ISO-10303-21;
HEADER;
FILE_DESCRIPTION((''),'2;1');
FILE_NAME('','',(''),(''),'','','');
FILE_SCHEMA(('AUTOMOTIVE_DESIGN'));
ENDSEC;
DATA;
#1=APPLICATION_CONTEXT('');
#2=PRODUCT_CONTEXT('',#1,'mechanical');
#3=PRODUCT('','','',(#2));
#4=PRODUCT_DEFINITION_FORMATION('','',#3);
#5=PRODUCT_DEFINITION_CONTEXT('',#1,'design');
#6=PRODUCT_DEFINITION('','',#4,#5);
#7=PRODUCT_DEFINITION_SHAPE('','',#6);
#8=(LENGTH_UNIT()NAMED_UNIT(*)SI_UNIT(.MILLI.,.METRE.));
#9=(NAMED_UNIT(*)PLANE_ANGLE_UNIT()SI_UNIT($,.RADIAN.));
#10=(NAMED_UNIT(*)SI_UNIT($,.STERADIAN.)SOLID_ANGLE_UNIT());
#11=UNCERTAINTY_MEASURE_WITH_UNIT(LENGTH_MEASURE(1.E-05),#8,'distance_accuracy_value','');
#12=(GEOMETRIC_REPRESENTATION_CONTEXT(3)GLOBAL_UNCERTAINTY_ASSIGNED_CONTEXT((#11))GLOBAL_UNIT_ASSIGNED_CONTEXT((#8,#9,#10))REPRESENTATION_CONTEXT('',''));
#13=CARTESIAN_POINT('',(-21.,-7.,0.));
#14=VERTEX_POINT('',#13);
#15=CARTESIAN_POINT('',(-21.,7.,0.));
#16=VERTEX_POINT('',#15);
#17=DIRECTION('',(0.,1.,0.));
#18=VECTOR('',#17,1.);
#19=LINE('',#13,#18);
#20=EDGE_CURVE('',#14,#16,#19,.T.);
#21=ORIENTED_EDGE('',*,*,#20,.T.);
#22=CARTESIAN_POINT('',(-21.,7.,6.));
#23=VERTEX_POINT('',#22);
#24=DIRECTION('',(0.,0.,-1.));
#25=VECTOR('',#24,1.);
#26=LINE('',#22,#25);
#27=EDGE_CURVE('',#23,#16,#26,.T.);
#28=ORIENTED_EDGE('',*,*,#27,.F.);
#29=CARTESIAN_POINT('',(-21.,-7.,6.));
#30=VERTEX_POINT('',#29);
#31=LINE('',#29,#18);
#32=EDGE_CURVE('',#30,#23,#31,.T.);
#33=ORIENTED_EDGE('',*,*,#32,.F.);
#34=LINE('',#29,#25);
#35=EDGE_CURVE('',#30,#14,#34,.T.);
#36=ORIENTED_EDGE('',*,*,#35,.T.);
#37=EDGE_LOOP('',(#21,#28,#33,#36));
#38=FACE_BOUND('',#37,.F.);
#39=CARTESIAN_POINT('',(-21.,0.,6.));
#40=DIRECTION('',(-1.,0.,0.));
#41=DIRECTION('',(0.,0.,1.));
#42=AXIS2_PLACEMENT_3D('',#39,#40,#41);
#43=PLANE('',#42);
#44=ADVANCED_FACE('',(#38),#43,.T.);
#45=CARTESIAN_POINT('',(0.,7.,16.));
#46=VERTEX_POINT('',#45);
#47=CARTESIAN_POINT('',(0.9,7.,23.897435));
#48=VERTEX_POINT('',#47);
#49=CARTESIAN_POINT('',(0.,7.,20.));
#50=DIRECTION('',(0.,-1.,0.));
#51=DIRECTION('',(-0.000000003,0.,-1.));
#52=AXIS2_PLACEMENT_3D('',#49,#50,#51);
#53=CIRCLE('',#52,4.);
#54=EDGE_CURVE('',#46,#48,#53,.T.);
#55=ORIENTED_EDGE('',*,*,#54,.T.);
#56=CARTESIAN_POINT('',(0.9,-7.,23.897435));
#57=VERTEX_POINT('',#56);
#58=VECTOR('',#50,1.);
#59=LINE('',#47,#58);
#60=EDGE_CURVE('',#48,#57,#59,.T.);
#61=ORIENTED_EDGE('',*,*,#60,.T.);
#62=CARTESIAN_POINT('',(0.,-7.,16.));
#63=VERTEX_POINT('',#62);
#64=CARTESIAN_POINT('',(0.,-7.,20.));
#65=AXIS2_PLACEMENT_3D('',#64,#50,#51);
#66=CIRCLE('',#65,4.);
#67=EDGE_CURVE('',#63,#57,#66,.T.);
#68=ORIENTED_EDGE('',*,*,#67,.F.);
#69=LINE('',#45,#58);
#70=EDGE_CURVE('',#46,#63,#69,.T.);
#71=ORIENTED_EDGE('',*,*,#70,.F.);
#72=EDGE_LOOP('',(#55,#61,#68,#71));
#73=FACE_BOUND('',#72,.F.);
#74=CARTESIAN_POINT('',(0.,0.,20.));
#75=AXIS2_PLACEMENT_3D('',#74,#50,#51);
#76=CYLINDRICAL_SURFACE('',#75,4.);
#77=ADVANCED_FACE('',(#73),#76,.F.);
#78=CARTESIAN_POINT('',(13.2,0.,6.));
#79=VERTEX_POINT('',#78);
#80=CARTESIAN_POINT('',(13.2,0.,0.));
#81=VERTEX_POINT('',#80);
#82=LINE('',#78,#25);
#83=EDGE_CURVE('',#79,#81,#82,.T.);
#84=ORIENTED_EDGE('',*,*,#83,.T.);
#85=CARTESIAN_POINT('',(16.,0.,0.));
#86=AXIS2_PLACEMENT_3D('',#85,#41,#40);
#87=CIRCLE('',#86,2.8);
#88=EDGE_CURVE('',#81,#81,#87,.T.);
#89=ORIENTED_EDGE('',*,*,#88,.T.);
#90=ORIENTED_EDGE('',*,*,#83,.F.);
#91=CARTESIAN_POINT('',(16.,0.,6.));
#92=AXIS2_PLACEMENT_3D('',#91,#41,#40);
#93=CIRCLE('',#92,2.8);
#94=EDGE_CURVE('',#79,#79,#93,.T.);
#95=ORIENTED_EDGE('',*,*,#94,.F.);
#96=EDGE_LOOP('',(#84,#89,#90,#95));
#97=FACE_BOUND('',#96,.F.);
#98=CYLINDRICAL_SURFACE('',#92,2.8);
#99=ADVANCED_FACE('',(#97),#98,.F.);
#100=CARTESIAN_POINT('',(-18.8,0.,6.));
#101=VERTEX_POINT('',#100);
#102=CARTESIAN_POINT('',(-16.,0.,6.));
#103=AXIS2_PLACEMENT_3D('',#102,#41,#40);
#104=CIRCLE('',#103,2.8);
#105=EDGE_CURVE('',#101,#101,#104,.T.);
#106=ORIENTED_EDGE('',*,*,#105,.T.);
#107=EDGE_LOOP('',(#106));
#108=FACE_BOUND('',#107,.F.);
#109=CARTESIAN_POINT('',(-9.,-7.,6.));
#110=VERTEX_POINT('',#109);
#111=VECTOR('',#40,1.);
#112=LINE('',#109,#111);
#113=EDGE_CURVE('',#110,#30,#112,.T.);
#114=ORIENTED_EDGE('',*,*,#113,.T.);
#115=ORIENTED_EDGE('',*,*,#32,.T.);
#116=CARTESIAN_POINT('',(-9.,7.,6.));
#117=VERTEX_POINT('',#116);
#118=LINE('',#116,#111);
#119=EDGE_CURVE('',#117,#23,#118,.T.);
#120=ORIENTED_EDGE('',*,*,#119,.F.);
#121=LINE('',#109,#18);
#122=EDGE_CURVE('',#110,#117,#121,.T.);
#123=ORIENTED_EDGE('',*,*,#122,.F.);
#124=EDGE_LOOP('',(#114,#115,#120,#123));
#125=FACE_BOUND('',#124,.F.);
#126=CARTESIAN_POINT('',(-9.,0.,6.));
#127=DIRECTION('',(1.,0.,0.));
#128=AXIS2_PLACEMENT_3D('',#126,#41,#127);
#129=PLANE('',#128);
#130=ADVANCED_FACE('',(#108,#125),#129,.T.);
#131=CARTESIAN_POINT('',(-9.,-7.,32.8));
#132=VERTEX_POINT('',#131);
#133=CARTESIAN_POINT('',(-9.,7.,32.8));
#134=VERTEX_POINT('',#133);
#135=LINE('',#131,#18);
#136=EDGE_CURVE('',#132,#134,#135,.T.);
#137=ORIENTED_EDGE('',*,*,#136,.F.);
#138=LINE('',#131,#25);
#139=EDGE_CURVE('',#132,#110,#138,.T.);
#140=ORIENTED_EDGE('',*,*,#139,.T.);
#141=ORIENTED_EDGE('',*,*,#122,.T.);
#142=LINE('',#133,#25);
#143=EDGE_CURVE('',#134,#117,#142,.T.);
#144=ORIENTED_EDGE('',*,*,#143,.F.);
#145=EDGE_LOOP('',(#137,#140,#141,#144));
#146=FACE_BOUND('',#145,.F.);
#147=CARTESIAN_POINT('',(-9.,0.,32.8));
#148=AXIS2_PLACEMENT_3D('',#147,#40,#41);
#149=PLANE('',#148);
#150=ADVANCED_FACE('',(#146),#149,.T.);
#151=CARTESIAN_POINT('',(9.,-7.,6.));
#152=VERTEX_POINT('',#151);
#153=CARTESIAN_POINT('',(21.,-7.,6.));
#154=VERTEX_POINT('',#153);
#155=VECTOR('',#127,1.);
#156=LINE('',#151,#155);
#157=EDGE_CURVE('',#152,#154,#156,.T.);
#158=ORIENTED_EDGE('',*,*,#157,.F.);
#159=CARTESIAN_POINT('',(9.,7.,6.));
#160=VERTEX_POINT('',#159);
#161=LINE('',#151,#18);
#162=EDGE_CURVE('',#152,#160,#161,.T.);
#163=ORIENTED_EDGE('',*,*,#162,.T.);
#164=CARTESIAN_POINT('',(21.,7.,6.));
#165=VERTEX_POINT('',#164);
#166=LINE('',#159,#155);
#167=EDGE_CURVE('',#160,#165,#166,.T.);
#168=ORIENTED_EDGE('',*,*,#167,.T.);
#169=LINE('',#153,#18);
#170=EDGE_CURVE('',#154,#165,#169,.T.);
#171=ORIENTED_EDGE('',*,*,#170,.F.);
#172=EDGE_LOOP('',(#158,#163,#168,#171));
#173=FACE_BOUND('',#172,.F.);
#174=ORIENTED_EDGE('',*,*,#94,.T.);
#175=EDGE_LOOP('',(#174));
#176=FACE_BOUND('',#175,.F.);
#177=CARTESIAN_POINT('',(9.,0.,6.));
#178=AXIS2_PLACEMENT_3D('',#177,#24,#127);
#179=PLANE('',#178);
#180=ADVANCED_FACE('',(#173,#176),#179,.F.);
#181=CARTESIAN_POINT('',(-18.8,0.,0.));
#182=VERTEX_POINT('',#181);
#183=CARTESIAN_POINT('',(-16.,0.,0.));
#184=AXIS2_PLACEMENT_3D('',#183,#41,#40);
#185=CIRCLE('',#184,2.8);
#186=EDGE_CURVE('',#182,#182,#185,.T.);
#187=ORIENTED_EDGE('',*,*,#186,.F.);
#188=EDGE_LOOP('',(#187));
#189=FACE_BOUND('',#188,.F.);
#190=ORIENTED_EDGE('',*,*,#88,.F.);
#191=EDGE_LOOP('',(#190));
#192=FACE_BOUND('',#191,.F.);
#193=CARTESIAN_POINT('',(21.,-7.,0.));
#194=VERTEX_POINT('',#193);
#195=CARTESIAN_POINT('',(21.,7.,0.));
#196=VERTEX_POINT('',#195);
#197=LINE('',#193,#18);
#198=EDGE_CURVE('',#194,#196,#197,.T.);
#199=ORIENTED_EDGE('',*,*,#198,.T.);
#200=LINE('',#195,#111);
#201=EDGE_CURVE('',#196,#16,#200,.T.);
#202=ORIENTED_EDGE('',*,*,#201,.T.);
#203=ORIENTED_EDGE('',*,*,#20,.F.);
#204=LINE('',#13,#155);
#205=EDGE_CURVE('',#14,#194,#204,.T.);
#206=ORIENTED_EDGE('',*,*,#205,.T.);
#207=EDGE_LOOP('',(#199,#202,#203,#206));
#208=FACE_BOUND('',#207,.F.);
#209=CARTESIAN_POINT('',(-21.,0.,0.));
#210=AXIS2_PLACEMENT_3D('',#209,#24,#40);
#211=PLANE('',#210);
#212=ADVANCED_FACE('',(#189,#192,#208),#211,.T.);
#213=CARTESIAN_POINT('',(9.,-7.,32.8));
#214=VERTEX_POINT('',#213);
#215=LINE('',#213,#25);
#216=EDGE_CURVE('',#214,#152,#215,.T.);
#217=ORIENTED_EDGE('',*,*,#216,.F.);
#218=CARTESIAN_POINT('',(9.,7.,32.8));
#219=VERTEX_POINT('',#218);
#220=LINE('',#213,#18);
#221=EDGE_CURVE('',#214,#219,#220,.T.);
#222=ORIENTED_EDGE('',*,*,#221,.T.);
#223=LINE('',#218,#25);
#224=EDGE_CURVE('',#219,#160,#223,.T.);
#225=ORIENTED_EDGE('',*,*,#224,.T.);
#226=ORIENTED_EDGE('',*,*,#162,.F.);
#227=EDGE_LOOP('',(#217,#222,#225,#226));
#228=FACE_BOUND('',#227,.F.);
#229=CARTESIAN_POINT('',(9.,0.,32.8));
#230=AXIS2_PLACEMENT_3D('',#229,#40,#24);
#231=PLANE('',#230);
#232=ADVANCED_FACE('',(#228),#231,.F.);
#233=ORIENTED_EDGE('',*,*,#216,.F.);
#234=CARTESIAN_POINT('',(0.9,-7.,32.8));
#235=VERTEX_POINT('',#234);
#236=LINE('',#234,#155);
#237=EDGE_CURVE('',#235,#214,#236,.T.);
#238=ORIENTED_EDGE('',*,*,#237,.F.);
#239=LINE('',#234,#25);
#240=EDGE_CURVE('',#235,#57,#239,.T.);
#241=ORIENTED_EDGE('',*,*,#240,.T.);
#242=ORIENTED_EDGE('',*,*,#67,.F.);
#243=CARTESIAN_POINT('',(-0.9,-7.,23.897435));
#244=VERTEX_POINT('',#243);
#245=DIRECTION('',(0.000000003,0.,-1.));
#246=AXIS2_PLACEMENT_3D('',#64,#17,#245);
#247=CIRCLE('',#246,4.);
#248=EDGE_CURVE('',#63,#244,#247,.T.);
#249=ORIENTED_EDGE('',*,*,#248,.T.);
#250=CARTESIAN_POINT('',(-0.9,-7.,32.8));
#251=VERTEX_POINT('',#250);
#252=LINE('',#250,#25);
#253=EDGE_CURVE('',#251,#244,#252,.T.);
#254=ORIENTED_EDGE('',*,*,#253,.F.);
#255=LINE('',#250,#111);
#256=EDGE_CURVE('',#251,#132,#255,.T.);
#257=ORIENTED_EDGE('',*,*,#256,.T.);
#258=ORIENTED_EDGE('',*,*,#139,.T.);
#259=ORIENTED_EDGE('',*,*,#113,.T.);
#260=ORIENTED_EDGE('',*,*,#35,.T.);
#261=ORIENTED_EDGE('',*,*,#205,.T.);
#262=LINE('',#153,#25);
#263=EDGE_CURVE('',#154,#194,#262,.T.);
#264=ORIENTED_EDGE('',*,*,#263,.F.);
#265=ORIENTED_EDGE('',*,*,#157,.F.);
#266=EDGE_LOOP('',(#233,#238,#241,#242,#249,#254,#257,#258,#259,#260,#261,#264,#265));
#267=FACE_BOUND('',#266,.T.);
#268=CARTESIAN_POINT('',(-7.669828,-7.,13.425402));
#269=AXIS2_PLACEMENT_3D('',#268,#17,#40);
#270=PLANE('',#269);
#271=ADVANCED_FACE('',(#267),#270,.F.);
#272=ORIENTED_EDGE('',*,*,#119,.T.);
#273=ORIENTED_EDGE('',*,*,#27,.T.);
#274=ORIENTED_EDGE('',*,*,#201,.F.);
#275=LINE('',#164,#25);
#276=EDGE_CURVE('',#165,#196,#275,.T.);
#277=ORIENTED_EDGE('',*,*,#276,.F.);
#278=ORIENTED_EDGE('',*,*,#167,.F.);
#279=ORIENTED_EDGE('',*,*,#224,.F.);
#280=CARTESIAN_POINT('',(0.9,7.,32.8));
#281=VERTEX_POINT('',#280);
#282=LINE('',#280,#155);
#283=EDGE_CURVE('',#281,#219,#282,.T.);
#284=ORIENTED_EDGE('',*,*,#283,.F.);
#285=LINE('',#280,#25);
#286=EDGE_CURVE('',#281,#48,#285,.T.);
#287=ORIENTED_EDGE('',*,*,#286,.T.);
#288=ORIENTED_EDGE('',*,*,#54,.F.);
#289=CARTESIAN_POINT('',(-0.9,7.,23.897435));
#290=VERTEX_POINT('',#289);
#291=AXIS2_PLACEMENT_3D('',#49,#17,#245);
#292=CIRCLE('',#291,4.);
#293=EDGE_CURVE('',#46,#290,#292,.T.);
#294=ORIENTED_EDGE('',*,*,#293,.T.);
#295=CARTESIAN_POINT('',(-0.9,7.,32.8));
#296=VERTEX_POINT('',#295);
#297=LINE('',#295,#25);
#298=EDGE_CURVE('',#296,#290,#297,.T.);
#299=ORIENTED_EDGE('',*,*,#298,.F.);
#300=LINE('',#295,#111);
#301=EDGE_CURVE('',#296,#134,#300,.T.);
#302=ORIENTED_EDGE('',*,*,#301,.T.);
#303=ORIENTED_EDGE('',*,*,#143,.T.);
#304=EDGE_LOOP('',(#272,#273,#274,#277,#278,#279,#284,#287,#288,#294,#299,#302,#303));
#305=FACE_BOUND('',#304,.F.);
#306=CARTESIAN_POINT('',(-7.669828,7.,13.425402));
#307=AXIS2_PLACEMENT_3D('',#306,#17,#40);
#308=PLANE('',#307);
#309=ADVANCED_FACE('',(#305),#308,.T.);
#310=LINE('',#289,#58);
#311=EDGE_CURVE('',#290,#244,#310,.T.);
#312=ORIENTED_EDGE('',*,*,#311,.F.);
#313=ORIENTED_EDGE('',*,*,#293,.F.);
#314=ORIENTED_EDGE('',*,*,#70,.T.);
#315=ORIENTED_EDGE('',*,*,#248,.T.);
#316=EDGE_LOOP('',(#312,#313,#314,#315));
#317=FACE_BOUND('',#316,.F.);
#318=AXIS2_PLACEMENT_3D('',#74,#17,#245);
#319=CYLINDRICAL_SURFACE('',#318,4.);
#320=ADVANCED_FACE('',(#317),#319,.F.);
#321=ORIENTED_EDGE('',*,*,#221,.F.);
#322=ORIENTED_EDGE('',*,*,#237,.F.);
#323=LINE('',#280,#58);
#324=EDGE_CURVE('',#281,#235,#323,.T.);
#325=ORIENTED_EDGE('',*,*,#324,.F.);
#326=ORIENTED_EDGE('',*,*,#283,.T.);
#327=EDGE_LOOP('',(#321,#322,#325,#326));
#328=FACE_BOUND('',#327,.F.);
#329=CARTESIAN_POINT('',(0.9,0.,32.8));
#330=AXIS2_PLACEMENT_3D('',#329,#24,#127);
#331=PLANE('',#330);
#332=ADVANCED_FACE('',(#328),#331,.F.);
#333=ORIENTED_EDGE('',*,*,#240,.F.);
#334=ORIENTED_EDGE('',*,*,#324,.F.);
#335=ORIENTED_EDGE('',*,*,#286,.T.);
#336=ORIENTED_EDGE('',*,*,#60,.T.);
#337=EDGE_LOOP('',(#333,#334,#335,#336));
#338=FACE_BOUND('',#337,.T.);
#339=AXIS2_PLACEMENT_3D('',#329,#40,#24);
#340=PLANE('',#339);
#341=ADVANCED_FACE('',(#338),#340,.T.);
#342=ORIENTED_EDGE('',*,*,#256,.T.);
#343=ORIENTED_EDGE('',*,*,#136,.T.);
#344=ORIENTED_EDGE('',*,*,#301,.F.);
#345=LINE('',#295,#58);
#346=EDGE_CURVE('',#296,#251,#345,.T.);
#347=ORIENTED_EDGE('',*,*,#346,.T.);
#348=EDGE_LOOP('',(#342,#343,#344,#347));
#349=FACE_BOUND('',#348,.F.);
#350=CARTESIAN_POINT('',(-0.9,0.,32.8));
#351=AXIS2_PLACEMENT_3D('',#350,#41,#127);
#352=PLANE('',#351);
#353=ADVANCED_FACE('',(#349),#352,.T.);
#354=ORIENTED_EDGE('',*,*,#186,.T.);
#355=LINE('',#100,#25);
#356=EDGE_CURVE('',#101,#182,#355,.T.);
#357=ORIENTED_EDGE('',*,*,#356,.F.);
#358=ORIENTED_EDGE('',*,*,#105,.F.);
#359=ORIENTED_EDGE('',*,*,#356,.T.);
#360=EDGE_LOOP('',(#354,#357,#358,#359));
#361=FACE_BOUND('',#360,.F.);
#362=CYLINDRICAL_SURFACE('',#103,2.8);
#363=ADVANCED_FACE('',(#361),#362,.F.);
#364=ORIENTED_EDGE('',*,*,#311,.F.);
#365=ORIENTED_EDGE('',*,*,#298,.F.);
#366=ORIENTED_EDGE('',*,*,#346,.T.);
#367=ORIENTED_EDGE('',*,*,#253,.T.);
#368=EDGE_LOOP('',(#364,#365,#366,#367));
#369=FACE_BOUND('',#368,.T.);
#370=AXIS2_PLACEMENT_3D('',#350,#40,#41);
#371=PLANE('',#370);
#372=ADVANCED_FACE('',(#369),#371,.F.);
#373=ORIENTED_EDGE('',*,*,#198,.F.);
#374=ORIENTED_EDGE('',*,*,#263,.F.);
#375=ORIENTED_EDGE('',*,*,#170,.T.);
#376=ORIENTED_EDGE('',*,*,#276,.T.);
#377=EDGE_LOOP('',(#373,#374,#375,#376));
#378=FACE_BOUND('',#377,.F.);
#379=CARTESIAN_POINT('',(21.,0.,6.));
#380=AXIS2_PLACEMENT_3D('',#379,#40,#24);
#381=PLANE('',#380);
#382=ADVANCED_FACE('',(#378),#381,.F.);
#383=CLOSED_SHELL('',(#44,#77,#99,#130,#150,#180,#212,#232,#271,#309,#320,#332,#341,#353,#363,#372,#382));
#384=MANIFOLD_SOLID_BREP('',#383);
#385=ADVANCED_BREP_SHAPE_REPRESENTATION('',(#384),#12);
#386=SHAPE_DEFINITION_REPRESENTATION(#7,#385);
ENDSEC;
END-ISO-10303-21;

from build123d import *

# Parameters (mm, degrees)
PAD_DEPTH      = 7
PAD_DEPTH_BACK = 7
SKETCH720_R    = 2.8
POCKET_DEPTH   = 100


with BuildPart() as part:
    # Sketch719 → Pad (new body, two sides)
    with BuildSketch(Plane.XZ) as pad_sk:
        with BuildLine():
            Line((0.9, 32.8), (9, 32.8))
            Line((9, 32.8), (9, 6))
            Line((9, 6), (21, 6))
            Line((21, 6), (21, 0))
            Line((21, 0), (0, 0))
            Line((0, 0), (0, 16))
            ThreePointArc((0, 16), (3.974276, 19.547087), (0.9, 23.897435))
            Line((0.9, 32.8), (0.9, 23.897435))
        make_face()
    pad = extrude(amount=PAD_DEPTH) + extrude(pad_sk.sketch, amount=-PAD_DEPTH_BACK)

    # Mirrored: Pad across Sketch719 V_Axis
    add(pad.mirror(Plane(origin=(0, 0, 0), x_dir=(0, -1, 0), z_dir=(1, 0, 0))))

    # Sketch720 (on Face4 of Mirrored) → Pocket (cut)
    with BuildSketch(Plane(origin=(0, 0, 6), x_dir=(-1, 0, 0), z_dir=(0, 0, 1))):
        with Locations((16, 0)):
            Circle(SKETCH720_R)
        with Locations((-16, 0)):
            Circle(SKETCH720_R)
    extrude(amount=-POCKET_DEPTH, mode=Mode.SUBTRACT)


solid = part.part
